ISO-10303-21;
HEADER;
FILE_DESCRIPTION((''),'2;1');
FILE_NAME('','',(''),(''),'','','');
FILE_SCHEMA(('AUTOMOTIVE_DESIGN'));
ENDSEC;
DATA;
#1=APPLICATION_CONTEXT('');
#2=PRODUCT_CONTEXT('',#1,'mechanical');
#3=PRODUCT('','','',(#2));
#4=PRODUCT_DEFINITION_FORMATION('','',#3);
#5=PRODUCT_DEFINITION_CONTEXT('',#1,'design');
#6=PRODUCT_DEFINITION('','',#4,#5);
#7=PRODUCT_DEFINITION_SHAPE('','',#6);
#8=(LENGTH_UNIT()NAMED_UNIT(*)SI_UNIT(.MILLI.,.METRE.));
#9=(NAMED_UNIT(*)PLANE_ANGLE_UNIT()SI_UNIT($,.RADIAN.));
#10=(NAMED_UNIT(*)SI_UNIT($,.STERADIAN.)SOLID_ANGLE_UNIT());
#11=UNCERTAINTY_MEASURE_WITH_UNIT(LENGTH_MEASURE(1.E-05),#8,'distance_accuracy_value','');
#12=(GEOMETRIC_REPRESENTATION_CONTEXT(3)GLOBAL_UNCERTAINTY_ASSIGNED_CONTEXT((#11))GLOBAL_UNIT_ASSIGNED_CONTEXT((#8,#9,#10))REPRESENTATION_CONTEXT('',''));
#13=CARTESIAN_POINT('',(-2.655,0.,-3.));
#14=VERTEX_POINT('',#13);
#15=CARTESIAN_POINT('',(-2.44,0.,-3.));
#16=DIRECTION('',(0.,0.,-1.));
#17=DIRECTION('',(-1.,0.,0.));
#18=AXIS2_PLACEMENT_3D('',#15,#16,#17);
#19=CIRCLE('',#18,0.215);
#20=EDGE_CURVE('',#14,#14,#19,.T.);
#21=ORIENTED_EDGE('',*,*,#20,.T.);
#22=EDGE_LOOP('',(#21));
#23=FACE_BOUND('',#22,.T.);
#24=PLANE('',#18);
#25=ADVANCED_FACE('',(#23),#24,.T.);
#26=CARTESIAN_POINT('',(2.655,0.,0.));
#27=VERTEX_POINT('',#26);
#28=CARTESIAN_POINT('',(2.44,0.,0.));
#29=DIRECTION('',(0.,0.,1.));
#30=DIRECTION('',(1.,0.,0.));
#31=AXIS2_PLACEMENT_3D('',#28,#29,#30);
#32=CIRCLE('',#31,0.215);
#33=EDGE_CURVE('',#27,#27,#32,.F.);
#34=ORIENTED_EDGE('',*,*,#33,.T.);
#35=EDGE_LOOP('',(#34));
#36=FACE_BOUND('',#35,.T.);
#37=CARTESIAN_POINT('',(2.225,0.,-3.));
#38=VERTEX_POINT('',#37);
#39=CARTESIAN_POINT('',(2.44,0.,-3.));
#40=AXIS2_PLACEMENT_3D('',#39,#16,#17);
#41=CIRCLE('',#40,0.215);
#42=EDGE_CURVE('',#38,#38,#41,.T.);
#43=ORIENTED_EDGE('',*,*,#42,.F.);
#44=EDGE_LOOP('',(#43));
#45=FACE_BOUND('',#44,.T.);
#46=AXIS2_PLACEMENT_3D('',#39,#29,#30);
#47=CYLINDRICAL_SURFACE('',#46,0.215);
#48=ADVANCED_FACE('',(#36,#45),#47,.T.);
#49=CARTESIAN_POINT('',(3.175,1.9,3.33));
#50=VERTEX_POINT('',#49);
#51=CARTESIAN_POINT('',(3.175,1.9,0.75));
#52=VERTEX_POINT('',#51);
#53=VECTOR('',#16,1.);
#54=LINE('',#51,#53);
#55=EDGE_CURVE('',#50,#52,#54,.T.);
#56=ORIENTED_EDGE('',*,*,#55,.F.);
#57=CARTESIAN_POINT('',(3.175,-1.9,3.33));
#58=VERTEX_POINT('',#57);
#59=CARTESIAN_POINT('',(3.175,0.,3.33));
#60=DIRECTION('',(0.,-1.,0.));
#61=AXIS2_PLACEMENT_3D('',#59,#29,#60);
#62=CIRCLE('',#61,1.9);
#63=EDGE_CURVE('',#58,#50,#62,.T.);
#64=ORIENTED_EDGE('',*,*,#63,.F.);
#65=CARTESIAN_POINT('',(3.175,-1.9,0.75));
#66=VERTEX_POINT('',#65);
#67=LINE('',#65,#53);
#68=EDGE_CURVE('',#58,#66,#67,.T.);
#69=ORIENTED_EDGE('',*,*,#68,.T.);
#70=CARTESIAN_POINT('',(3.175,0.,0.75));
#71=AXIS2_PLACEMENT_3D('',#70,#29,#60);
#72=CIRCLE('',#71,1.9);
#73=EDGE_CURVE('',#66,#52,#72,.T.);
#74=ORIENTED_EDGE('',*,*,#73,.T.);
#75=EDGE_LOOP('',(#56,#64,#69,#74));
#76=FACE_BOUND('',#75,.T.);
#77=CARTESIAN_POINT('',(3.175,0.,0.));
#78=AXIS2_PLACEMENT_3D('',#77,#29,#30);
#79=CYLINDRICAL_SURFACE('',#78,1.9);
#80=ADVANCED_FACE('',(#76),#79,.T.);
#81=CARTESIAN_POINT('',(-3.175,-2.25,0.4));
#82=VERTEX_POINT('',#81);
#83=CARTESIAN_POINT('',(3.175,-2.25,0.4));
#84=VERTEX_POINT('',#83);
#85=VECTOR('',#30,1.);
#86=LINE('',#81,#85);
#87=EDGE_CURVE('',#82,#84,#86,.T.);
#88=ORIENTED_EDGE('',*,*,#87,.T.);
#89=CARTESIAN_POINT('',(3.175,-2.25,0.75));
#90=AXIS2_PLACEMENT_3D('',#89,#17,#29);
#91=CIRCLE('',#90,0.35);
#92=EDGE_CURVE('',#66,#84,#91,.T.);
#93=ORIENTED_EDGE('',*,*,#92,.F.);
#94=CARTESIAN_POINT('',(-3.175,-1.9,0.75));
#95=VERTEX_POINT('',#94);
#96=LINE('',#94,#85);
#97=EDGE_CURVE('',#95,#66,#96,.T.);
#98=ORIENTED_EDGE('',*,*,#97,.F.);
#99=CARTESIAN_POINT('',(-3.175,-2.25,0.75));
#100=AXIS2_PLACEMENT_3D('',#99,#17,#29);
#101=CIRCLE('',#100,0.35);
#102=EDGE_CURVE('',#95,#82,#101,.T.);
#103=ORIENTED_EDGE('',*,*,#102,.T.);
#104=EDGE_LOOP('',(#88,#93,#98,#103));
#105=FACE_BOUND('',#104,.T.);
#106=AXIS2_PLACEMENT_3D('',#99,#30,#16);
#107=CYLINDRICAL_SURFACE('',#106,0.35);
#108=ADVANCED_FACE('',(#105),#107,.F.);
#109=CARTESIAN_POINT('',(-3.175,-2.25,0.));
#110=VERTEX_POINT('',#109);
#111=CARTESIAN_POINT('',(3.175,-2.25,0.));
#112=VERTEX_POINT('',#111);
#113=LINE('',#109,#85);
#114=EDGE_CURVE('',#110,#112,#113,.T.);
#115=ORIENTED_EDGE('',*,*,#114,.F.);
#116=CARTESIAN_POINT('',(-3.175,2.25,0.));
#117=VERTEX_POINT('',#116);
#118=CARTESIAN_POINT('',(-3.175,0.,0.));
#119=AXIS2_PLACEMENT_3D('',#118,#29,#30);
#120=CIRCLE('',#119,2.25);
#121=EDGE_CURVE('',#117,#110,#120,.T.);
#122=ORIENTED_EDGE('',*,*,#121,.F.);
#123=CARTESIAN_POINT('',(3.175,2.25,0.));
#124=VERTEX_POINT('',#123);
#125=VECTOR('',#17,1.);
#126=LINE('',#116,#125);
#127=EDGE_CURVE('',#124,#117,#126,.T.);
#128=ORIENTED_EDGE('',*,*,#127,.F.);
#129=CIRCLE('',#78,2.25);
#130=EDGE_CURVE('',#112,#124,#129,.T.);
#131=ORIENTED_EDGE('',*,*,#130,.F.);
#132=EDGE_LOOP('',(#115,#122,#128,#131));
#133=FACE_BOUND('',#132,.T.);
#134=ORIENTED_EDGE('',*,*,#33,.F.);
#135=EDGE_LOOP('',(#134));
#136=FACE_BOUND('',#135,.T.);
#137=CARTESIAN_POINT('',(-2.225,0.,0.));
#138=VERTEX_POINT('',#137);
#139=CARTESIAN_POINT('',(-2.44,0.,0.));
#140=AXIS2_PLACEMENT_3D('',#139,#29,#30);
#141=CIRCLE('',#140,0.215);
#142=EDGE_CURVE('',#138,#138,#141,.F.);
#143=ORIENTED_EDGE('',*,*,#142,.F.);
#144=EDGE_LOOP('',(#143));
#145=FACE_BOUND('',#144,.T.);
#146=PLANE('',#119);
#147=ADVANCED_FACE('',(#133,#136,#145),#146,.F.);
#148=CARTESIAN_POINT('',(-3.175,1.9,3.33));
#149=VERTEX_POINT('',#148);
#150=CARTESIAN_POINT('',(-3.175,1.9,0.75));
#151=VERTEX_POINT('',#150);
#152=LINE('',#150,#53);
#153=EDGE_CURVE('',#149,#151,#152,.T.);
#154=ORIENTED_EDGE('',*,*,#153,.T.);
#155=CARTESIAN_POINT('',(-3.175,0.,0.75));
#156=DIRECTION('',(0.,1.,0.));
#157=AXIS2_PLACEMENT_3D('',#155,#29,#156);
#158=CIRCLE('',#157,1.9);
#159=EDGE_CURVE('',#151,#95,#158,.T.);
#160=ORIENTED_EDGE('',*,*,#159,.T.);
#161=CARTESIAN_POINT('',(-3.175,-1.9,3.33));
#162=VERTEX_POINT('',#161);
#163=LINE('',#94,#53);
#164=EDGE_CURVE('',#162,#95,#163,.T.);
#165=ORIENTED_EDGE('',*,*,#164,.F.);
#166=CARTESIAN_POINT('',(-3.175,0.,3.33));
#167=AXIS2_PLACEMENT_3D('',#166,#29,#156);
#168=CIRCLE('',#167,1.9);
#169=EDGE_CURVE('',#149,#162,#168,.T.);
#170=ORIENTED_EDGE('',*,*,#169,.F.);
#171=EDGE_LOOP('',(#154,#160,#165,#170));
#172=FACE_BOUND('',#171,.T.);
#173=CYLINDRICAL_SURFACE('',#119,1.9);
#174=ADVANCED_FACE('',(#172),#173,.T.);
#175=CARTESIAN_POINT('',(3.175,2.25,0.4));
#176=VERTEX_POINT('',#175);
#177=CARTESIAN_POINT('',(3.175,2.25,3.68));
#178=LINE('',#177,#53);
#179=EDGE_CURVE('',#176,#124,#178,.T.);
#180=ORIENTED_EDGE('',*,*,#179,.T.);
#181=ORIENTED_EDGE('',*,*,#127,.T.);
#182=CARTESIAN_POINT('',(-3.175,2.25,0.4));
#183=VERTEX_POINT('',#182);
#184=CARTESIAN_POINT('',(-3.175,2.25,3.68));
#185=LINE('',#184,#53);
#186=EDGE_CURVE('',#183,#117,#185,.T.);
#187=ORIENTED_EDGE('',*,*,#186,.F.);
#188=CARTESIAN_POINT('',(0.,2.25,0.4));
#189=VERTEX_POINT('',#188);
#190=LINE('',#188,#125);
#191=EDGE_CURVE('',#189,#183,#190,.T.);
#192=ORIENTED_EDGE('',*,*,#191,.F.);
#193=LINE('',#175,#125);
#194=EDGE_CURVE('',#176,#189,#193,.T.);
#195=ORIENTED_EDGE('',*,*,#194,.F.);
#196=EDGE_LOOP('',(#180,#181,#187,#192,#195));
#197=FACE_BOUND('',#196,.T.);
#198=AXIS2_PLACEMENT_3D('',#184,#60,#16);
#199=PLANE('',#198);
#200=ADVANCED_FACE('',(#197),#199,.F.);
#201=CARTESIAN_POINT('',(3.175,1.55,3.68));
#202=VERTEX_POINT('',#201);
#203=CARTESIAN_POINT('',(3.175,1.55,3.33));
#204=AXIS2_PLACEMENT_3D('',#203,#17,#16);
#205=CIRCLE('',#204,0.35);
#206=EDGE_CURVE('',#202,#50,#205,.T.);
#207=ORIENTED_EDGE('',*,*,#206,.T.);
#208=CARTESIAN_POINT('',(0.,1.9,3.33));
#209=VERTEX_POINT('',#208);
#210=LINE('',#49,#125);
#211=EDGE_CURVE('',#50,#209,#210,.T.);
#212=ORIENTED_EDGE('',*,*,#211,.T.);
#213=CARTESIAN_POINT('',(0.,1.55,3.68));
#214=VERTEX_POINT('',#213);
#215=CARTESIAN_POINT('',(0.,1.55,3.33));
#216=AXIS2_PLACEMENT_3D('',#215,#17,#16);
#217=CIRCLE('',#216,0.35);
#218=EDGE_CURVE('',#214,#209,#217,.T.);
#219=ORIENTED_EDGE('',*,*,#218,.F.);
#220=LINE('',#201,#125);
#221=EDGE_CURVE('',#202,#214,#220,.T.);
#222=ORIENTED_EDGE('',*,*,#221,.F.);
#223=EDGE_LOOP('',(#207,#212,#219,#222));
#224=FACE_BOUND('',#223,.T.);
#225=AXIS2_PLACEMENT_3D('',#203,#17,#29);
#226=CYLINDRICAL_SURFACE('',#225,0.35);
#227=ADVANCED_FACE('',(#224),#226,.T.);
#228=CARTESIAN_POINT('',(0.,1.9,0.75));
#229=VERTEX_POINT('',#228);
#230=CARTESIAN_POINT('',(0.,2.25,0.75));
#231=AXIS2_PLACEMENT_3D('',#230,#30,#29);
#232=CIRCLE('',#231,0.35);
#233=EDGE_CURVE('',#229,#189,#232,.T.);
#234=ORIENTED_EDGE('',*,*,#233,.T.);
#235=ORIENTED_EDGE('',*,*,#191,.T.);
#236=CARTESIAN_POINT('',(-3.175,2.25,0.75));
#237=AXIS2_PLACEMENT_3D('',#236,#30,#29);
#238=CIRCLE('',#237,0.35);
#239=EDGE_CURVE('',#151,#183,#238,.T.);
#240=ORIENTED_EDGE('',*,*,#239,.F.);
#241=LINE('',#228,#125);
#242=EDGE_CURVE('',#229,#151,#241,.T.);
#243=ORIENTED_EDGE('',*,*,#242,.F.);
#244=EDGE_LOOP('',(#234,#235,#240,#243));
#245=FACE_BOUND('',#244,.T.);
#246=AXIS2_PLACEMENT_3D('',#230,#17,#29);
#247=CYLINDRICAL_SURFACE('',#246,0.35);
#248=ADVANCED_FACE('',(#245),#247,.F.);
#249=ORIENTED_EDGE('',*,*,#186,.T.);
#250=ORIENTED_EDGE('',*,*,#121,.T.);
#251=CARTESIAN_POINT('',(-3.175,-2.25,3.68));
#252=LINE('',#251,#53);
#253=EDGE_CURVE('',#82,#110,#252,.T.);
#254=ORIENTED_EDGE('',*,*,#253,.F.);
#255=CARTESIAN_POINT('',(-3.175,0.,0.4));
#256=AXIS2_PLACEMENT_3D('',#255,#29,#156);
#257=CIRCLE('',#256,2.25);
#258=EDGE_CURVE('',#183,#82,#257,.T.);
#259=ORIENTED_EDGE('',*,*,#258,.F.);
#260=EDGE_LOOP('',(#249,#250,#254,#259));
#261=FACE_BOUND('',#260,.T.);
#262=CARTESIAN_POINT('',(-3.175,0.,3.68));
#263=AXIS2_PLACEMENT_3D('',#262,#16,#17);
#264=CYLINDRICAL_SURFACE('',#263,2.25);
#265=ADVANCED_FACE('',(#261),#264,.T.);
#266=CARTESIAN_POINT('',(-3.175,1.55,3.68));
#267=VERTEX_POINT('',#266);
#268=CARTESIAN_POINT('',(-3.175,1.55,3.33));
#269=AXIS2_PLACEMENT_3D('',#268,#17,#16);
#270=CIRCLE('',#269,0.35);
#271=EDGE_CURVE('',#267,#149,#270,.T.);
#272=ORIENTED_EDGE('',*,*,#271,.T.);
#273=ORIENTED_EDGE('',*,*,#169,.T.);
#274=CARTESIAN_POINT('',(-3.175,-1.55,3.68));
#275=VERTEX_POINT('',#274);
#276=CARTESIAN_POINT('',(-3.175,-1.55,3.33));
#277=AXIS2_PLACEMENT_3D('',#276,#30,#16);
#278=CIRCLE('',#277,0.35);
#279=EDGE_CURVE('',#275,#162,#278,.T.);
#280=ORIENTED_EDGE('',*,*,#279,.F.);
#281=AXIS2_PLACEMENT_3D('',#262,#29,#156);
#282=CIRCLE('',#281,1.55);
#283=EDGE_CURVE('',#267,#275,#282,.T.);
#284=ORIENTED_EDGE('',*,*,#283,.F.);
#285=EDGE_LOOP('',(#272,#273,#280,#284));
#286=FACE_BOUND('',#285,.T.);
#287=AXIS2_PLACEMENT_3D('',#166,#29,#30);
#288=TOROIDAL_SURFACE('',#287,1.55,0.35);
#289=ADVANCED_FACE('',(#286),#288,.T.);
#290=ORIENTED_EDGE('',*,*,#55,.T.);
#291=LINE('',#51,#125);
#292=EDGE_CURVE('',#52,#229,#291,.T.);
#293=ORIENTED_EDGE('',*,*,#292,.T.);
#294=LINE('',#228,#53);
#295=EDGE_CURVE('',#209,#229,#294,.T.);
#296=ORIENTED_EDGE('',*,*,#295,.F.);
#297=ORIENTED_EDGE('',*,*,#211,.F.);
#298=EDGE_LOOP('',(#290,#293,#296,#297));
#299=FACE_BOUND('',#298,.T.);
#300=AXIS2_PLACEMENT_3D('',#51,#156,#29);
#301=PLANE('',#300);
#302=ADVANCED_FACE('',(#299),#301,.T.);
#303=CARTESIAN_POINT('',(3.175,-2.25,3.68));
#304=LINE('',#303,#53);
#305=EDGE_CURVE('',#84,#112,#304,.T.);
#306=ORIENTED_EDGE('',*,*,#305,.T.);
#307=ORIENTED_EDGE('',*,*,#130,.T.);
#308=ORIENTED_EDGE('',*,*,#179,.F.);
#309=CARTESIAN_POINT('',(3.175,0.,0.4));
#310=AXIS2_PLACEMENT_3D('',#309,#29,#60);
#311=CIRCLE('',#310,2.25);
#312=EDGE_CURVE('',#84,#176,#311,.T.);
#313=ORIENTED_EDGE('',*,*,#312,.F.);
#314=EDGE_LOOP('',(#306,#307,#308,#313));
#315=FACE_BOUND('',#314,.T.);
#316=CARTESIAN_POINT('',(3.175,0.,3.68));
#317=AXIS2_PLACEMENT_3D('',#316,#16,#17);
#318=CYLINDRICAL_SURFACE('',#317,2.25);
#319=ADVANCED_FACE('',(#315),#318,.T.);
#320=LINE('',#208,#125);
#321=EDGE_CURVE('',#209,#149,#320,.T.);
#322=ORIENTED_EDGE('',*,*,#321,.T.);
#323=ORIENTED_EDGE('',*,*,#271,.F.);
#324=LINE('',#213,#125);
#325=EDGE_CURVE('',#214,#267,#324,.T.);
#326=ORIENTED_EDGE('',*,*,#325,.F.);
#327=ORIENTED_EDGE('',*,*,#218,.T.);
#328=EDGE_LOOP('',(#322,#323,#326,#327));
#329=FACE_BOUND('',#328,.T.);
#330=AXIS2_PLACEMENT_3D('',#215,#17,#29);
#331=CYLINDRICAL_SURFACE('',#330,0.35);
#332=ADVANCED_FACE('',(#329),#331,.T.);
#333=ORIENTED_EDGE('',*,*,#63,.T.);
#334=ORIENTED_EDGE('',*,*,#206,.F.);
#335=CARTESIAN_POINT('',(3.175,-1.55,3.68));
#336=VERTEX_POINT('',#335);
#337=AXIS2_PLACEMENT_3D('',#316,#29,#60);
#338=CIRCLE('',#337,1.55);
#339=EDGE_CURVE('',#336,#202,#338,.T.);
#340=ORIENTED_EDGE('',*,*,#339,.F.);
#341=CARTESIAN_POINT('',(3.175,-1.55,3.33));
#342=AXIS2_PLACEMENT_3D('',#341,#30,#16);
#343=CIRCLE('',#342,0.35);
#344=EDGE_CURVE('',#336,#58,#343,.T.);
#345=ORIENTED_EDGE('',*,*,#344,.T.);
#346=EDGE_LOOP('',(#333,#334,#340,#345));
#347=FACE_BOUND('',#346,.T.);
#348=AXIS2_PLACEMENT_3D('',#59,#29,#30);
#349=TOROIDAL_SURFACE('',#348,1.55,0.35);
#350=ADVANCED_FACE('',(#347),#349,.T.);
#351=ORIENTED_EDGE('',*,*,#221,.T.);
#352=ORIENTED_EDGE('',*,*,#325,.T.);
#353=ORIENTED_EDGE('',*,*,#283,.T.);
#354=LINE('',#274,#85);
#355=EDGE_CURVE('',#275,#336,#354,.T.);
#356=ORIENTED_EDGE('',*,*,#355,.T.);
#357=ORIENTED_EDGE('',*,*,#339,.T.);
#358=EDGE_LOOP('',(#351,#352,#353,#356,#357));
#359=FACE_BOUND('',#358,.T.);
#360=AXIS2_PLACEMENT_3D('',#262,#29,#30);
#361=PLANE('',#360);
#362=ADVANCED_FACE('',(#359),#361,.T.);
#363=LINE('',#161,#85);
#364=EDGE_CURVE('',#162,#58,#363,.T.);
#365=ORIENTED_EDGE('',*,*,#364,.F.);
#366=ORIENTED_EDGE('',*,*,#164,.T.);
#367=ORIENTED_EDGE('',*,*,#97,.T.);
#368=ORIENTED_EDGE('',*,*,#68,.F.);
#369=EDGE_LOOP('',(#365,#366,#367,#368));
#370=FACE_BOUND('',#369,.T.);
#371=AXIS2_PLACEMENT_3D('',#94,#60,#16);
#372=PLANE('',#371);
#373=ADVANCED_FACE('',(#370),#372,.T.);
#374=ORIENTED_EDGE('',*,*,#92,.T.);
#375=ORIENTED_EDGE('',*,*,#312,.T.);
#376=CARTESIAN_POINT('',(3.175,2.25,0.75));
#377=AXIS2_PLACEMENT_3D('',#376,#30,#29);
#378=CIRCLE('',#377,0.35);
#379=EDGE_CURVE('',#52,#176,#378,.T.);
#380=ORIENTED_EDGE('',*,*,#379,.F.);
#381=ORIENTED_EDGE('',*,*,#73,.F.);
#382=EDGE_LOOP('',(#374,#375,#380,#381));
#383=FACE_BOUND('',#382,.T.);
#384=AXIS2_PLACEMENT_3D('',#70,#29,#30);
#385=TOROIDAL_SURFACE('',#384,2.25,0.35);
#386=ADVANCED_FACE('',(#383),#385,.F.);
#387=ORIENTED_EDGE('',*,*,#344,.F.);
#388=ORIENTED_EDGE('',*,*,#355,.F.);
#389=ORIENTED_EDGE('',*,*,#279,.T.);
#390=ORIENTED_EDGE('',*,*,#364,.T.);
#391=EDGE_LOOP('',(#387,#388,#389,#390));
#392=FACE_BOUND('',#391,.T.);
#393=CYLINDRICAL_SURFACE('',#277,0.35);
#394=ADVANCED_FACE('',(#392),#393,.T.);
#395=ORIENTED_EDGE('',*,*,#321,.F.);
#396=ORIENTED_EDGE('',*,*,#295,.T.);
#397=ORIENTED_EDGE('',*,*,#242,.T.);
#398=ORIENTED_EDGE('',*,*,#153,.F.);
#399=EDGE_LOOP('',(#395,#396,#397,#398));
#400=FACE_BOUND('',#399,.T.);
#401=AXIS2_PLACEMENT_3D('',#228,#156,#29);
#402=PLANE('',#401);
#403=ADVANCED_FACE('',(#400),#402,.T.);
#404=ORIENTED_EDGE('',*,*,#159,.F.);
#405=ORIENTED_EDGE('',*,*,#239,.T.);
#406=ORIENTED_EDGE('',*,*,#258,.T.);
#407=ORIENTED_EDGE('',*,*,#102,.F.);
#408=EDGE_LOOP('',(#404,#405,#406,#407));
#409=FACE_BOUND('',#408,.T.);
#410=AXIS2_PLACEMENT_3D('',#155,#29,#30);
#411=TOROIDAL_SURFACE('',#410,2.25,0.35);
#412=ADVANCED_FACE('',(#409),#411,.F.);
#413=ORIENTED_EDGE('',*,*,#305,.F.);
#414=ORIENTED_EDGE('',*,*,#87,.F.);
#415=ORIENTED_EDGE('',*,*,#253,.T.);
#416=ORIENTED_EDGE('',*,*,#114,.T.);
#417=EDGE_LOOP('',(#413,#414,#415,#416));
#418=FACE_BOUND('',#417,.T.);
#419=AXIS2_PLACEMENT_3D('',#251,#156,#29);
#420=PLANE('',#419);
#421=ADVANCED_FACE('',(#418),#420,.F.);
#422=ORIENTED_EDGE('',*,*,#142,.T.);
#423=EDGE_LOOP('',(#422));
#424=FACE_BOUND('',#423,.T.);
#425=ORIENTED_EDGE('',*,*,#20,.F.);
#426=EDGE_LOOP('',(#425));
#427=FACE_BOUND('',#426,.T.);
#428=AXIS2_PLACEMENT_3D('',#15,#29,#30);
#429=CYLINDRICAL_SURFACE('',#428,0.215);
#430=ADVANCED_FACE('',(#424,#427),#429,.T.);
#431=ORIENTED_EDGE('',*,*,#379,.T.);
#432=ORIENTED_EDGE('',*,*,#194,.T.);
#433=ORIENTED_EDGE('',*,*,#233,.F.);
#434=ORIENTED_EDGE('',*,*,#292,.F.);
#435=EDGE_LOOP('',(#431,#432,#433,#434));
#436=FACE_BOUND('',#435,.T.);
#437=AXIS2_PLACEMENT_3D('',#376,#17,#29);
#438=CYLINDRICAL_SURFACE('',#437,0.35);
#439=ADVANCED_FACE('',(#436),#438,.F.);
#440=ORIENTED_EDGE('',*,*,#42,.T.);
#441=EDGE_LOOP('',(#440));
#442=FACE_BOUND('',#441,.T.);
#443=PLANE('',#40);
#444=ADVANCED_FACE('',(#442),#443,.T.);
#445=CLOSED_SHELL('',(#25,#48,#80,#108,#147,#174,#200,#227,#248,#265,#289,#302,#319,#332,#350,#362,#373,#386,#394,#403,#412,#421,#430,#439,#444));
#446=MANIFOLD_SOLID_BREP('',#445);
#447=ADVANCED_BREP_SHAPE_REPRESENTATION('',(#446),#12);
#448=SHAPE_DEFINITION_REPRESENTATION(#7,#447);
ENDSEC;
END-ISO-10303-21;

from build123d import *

# Parameters (mm, degrees)
BOSS_EXTRUDE1_DEPTH = 3.68
SKETCH4_R           = 0.215
BOSS_EXTRUDE2_DEPTH = 3


with BuildPart() as part:
    # Sketch1 → Boss-Extrude1 (new body)
    with BuildSketch(Plane.XY):
        with BuildLine():
            Line((-3.175, 2.25), (3.175, 2.25))
            ThreePointArc((3.175, 2.25), (5.425, 0), (3.175, -2.25))
            Line((3.175, -2.25), (-3.175, -2.25))
            ThreePointArc((-3.175, -2.25), (-5.425, 0), (-3.175, 2.25))
        make_face()
    extrude(amount=BOSS_EXTRUDE1_DEPTH)

    # Cut-Sweep1: sweep along a path in Sketch1<2>
    with BuildLine(Plane.XY) as cut_sweep1_path:
        Line((-3.175, 2.25), (3.175, 2.25))
        ThreePointArc((3.175, 2.25), (5.425, 0), (3.175, -2.25))
        Line((3.175, -2.25), (-3.175, -2.25))
        ThreePointArc((-3.175, -2.25), (-5.425, 0), (-3.175, 2.25))
    # Sketch2 → Cut-Sweep1 (sweep, cut)
    with BuildSketch(Plane(origin=(0, 0, 0), x_dir=(0, 0, -1), z_dir=(1, 0, 0))):
        with BuildLine():
            Line((-0.75, 1.9), (-3.33, 1.9))
            ThreePointArc((-3.33, 1.9), (-3.577487373, 1.797487373), (-3.68, 1.55))
            Line((-3.68, 1.55), (-3.68, 2.25))
            Line((-3.68, 2.25), (-0.4, 2.25))
            ThreePointArc((-0.4, 2.25), (-0.502512627, 2.002512627), (-0.75, 1.9))
        make_face()
    sweep(path=cut_sweep1_path.line, mode=Mode.SUBTRACT)

    # Sketch4 → Boss-Extrude2 (add)
    with BuildSketch(Plane(origin=(0, 0, 0), x_dir=(-1, 0, 0), z_dir=(0, 0, -1))):
        with Locations((-2.44, 0)):
            Circle(SKETCH4_R)
        with Locations((2.44, 0)):
            Circle(SKETCH4_R)
    extrude(amount=BOSS_EXTRUDE2_DEPTH)


solid = part.part
